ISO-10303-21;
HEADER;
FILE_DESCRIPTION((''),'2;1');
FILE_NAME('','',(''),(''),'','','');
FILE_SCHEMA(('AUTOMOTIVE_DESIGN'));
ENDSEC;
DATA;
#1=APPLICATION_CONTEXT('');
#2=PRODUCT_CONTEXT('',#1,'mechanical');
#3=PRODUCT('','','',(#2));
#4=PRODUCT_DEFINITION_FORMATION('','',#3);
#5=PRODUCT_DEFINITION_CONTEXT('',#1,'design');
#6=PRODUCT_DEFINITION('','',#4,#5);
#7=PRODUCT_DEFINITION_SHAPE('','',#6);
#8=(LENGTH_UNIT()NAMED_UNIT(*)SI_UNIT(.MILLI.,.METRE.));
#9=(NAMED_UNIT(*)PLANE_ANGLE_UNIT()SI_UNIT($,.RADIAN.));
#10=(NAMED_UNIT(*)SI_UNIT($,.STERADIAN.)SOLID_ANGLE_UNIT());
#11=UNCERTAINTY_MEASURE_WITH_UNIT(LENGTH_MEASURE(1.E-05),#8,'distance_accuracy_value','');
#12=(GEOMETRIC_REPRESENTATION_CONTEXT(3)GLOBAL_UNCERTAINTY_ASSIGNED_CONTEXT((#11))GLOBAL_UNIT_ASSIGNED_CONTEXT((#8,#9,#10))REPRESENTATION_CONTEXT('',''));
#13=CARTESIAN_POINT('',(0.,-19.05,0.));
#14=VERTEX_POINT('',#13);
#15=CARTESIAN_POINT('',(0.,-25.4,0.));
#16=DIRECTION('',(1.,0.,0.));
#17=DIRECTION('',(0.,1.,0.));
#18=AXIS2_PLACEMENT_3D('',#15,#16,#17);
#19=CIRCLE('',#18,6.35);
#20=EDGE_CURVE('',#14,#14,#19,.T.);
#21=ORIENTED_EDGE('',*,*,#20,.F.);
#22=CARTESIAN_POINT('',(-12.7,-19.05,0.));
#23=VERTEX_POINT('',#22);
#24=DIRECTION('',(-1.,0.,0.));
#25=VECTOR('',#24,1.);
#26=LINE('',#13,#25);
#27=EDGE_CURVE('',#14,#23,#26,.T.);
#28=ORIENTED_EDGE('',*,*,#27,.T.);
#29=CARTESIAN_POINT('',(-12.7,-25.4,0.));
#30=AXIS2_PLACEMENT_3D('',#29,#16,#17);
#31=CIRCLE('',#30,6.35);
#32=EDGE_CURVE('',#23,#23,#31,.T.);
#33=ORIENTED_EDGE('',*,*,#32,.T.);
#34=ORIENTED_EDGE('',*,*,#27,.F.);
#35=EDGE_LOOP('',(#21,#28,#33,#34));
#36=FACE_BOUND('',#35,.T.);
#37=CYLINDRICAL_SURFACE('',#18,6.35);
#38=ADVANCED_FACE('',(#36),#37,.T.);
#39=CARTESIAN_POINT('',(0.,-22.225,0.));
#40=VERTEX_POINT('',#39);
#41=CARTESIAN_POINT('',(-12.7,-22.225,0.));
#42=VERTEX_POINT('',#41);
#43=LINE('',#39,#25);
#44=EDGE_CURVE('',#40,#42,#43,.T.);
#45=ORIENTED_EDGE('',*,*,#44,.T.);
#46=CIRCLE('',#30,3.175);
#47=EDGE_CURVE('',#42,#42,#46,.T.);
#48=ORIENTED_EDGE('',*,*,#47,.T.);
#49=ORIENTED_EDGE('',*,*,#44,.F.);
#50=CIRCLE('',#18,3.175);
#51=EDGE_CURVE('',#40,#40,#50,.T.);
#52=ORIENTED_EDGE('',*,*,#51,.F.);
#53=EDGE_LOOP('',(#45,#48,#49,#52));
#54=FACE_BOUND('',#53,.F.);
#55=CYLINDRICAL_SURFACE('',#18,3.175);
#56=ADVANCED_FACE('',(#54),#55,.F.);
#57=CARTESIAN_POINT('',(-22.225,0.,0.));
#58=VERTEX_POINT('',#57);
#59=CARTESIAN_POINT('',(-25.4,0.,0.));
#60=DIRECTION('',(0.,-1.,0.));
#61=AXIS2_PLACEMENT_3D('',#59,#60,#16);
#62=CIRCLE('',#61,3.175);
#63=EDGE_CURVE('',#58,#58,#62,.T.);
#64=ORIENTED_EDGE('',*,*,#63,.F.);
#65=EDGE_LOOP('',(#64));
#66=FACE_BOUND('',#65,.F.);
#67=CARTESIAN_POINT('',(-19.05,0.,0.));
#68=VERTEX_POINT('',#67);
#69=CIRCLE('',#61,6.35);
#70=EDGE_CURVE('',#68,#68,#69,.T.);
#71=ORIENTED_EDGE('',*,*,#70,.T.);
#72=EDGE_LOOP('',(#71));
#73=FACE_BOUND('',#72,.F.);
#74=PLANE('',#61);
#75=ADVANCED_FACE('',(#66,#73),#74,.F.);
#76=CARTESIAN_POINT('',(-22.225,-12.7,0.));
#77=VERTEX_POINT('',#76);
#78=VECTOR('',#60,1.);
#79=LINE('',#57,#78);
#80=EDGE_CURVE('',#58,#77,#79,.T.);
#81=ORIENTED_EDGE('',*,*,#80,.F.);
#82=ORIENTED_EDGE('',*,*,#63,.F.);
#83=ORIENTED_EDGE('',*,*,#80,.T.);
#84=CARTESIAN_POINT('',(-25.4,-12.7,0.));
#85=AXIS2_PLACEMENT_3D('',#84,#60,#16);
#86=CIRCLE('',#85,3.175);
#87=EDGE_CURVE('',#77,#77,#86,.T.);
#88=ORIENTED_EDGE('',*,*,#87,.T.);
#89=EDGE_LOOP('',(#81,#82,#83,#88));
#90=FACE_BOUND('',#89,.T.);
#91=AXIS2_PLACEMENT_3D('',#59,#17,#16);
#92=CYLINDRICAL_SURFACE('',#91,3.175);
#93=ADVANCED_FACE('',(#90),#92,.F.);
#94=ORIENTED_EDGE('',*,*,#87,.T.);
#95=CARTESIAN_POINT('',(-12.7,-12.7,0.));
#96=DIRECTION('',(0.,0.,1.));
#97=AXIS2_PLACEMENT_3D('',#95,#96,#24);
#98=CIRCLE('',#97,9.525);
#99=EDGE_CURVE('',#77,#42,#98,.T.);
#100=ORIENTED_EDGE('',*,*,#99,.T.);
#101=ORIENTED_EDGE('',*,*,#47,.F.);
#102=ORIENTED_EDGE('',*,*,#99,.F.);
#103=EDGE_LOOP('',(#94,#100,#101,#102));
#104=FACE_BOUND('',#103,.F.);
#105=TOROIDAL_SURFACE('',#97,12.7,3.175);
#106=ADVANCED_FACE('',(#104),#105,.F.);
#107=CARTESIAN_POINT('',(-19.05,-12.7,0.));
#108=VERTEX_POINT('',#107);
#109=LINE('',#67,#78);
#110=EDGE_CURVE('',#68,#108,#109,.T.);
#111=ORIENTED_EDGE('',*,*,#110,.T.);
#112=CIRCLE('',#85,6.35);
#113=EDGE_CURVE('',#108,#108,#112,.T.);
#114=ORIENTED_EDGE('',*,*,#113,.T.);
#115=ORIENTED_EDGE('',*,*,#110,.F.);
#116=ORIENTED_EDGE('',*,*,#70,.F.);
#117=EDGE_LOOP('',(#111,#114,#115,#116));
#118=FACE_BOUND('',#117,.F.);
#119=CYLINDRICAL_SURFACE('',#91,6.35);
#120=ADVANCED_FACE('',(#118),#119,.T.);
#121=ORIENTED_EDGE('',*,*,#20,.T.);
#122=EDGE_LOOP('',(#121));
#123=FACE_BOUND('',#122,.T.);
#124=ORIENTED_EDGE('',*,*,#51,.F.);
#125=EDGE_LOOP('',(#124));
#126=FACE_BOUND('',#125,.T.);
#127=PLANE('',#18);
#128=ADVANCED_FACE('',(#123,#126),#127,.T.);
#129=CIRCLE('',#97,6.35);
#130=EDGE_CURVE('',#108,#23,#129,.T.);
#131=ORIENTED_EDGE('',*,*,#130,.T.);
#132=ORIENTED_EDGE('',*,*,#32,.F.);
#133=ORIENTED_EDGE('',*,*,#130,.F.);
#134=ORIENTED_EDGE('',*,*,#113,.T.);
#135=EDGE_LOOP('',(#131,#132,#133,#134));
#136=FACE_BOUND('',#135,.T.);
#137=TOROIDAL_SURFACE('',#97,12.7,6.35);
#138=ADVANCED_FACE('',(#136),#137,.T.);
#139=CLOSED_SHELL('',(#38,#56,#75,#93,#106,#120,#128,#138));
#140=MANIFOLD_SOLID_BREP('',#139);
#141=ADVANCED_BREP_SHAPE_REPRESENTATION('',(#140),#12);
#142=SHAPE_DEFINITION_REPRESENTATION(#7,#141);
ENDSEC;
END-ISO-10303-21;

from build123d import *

# Parameters (mm, degrees)
F0_R        = 6.35
F0_R_2      = 3.175
F1_DEPTH    = 12.7
F2_R        = 6.35
F2_R_2      = 3.175
F3_DEPTH    = 12.7
F3_FACE_R   = 6.35
F3_FACE_R_2 = 3.175


with BuildPart() as f1:
    # F0 (on Right) → F1 (new body)
    with BuildSketch(Plane.YZ):
        with Locations((-25.4, 0)):
            Circle(F0_R)
        with Locations((-25.4, 0)):
            Circle(F0_R_2, mode=Mode.SUBTRACT)
    extrude(amount=-F1_DEPTH)



with BuildPart() as f3:
    # F2 (on Front) → F3 (new body)
    with BuildSketch(Plane.XZ):
        with Locations((-25.4, 0)):
            Circle(F2_R)
        with Locations((-25.4, 0)):
            Circle(F2_R_2, mode=Mode.SUBTRACT)
    extrude(amount=F3_DEPTH)


with BuildPart() as f1_1:
    add(f1.part)

    add(f3.part)  # F5 merges F3
    # F5: sweep along a path in F4
    with BuildLine(Plane.XY) as f5_path:
        ThreePointArc((-38.1, -12.7), (-30.6605122421, -30.6605122421), (-12.7, -38.1))
    # F3_face (on face) → F5 (sweep)
    with BuildSketch(Plane(origin=(-25.4, -12.7, 0), x_dir=(1, 0, 0), z_dir=(0, -1, 0))):
        Circle(F3_FACE_R)
        Circle(F3_FACE_R_2, mode=Mode.SUBTRACT)
    sweep(path=f5_path.line)


solid = f1_1.part
